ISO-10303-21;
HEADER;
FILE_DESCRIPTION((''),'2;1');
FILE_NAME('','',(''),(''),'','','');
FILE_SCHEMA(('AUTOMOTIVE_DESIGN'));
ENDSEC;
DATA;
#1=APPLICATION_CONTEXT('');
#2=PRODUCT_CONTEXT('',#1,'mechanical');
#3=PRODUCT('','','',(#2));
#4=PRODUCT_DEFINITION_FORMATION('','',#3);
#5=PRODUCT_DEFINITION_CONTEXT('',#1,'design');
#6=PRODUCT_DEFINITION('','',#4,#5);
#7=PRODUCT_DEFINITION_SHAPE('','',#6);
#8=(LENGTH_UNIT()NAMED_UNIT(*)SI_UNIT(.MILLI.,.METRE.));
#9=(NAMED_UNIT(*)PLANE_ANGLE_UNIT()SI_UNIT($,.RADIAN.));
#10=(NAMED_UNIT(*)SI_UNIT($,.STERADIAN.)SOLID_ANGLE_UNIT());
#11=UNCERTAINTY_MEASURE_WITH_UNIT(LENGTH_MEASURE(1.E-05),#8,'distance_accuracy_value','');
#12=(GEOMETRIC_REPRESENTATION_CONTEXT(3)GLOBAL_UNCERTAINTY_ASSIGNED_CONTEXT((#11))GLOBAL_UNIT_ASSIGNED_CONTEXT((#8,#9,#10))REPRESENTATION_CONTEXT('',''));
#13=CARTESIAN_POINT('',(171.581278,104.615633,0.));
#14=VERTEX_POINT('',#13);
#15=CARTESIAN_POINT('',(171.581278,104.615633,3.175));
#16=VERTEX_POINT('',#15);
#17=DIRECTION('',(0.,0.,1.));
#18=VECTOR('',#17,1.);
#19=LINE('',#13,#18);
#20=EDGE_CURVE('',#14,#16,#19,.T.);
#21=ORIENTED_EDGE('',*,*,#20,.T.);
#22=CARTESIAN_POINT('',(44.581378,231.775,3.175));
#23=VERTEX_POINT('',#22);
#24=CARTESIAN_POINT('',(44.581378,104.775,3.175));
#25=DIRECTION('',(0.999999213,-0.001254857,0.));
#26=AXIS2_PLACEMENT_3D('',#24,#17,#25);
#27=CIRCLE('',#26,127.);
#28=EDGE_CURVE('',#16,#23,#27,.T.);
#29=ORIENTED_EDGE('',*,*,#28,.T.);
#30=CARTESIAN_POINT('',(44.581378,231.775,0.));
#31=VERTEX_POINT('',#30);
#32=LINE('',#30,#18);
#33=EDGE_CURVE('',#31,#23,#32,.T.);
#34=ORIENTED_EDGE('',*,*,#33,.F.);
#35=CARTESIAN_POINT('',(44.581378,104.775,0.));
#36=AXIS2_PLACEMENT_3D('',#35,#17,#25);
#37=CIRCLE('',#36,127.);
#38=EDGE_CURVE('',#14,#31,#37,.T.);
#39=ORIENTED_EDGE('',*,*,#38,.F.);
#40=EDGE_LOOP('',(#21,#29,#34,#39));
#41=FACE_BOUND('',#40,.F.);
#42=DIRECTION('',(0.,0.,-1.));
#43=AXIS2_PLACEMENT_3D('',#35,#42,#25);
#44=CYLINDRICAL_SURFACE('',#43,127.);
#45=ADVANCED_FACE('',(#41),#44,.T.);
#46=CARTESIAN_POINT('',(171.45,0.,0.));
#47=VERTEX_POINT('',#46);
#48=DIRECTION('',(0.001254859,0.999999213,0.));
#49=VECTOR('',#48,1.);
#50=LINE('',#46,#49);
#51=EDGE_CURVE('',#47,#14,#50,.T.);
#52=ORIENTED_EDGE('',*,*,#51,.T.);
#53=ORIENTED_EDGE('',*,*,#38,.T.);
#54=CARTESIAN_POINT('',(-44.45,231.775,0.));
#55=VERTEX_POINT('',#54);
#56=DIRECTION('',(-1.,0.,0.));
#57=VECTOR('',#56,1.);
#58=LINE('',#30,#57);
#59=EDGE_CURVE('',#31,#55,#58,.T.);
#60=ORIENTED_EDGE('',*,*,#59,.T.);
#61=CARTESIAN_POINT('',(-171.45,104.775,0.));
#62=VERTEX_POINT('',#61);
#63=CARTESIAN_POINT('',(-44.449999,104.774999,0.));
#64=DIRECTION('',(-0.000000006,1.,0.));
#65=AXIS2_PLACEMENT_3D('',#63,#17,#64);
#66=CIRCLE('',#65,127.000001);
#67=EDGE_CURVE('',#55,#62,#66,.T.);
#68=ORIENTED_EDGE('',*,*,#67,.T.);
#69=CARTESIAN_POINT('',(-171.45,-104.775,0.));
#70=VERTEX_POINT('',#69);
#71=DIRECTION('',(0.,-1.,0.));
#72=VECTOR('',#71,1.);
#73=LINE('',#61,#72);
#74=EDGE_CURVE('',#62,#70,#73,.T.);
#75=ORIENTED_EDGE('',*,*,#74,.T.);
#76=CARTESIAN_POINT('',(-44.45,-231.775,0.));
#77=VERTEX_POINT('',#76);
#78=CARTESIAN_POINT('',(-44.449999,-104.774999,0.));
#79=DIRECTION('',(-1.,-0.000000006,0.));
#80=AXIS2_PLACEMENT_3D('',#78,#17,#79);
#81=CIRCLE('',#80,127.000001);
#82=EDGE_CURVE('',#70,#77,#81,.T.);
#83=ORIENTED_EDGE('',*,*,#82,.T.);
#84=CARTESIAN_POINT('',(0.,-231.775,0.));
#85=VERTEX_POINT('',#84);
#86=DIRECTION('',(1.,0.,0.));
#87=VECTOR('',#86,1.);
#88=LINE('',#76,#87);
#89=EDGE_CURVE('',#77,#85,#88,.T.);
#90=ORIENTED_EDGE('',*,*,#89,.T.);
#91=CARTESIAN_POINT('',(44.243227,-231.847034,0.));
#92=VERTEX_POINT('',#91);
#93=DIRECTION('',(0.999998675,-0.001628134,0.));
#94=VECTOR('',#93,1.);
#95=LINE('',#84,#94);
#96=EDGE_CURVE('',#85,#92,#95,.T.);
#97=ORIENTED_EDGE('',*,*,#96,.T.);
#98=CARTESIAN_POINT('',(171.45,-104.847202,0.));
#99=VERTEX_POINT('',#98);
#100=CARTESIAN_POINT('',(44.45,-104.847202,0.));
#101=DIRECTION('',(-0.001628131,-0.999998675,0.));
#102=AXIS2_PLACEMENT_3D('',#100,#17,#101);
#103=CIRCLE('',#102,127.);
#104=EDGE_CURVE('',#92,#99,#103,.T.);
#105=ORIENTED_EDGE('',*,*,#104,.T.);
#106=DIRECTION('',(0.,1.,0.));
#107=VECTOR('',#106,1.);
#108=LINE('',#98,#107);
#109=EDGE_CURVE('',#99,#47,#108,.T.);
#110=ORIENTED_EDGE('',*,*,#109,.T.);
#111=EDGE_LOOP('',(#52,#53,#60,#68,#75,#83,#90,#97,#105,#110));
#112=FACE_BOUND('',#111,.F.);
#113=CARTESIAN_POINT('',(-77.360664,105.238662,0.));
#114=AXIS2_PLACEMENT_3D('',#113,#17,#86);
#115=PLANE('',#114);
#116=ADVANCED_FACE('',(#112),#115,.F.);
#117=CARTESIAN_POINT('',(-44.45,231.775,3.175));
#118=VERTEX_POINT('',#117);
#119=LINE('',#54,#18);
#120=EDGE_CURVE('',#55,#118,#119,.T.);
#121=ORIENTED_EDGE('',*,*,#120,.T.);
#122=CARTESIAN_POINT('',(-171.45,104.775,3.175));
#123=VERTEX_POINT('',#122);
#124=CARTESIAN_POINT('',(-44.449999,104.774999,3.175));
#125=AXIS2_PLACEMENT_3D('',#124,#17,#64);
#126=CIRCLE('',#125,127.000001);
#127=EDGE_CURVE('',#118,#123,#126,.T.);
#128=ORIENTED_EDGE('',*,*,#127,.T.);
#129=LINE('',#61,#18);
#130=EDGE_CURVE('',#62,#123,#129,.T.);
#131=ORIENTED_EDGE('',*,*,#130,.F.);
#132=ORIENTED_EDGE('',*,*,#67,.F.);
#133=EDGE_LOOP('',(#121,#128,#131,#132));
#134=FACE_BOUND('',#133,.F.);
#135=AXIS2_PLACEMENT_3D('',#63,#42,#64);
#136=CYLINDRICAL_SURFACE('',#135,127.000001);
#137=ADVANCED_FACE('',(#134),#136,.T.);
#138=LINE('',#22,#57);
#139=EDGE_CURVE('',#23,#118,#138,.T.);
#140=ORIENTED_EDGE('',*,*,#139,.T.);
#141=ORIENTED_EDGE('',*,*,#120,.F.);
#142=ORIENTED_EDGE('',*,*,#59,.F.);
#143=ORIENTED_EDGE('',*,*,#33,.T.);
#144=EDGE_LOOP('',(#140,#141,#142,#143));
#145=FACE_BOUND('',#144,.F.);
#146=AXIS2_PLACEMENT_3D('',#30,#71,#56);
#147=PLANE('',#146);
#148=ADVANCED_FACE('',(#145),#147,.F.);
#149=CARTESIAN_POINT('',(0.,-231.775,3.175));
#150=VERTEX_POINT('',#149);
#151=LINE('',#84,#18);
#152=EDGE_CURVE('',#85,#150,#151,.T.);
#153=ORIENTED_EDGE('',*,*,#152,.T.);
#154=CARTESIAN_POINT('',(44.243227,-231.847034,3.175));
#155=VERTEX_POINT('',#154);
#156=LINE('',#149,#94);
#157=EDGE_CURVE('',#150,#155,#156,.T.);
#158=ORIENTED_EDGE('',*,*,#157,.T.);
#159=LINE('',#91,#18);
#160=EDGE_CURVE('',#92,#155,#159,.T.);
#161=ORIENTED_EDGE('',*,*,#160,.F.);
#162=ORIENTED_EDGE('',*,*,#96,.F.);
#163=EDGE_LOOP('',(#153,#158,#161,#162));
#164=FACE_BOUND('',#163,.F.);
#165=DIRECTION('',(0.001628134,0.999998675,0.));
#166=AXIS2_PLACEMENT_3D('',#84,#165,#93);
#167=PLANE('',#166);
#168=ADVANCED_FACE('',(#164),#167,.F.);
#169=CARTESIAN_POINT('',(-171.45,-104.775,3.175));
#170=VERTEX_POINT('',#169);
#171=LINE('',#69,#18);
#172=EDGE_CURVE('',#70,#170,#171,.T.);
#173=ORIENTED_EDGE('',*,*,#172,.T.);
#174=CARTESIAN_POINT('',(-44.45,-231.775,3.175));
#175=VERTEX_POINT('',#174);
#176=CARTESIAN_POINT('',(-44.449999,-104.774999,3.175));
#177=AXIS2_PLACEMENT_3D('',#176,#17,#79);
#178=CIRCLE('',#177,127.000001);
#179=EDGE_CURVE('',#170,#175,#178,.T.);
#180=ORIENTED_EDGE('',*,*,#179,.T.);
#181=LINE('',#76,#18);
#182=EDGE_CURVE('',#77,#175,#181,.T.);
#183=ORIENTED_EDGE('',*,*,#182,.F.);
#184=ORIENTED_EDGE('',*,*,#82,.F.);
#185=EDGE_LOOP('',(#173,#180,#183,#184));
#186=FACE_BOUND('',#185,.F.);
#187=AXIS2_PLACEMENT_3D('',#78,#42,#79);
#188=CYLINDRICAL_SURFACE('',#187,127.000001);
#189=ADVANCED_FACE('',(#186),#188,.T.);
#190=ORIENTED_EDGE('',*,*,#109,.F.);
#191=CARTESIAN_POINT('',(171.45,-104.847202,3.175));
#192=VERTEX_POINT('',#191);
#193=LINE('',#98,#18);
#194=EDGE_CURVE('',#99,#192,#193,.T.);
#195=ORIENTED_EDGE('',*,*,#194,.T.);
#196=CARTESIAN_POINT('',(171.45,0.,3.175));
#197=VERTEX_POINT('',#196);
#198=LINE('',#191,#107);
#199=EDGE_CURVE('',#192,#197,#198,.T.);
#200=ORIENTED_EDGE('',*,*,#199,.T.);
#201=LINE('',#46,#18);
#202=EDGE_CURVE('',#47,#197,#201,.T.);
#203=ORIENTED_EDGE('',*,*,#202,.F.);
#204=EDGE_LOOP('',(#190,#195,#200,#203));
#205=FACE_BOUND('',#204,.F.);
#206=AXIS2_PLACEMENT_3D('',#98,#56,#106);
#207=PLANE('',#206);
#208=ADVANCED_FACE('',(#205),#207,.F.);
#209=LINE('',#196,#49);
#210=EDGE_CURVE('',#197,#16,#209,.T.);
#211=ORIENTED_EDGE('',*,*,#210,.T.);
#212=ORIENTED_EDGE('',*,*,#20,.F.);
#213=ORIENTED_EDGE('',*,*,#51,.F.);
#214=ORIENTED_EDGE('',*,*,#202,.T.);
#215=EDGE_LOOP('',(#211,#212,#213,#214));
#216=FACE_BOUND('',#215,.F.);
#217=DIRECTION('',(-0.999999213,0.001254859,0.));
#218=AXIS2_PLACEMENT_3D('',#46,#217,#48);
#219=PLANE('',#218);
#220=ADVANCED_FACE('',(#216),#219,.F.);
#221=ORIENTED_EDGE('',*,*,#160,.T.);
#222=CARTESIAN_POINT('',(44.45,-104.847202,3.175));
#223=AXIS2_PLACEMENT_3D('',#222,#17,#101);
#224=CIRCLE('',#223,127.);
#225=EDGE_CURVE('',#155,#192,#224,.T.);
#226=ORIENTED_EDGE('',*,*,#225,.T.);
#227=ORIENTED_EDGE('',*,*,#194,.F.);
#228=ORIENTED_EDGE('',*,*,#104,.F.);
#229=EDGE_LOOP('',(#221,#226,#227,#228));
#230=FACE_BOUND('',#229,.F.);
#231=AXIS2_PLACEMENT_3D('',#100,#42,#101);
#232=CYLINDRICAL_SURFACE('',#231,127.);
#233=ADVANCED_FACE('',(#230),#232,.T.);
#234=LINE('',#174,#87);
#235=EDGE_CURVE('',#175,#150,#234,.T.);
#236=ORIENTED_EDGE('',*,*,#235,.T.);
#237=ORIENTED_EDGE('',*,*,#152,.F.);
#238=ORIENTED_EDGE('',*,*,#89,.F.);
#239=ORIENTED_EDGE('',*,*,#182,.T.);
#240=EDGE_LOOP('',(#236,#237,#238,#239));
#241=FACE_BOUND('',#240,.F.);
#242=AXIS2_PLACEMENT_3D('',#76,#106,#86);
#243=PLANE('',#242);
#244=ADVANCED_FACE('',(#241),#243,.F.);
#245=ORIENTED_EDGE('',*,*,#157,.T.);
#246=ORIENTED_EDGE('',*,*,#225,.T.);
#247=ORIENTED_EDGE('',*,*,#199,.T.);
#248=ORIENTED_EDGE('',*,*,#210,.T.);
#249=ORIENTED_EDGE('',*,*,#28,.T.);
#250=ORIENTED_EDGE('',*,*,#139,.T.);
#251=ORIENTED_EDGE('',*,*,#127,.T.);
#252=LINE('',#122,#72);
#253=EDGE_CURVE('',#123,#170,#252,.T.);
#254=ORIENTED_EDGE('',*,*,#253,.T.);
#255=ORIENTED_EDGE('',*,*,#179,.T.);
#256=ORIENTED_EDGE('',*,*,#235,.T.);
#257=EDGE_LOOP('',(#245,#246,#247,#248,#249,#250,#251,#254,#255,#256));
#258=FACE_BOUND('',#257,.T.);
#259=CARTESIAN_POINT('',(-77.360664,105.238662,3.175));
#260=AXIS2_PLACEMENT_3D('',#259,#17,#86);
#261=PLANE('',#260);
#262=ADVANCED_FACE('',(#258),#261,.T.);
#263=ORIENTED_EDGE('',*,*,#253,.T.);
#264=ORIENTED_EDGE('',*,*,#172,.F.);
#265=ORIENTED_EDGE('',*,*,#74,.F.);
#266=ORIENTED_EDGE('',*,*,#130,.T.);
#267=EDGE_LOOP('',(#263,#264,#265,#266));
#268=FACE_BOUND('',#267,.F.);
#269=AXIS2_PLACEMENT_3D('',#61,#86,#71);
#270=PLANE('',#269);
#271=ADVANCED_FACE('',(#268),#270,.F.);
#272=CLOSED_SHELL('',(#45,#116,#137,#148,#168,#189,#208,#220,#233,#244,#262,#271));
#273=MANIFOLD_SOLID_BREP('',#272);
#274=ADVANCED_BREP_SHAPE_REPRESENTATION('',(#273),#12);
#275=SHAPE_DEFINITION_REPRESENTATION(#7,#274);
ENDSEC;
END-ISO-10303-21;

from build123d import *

# Parameters (mm, degrees)
F1_DEPTH = 3.175


with BuildPart() as f1:
    # F0 (on Top) → F1 (new body)
    with BuildSketch(Plane.XY):
        with BuildLine():
            Line((0, 0), (0, 231.775))
            Line((0, 231.775), (-44.45, 231.775))
            ThreePointArc((-44.45, 231.775), (-134.252561, 194.577561), (-171.45, 104.775))
            Line((-171.45, 104.775), (-171.45, 0))
            Line((-171.45, 0), (0, 0))
        make_face()
        with BuildLine():
            Line((44.581378, 231.775), (0, 231.775))
            Line((0, 231.775), (0, 0))
            Line((0, 0), (171.45, 0))
            Line((171.45, 0), (171.581278, 104.615633))
            ThreePointArc((171.581278, 104.615633), (134.440266, 194.521199), (44.581378, 231.775))
        make_face()
        with BuildLine():
            Line((171.45, 0), (0, 0))
            Line((0, 0), (0, -231.775))
            Line((0, -231.775), (44.243227, -231.847034))
            ThreePointArc((44.243227, -231.847034), (134.179426, -194.722839), (171.45, -104.847202))
            Line((171.45, -104.847202), (171.45, 0))
        make_face()
        with BuildLine():
            Line((0, -231.775), (0, 0))
            Line((0, 0), (-171.45, 0))
            Line((-171.45, 0), (-171.45, -104.775))
            ThreePointArc((-171.45, -104.775), (-134.252561, -194.577561), (-44.45, -231.775))
            Line((-44.45, -231.775), (0, -231.775))
        make_face()
    extrude(amount=F1_DEPTH)


solid = f1.part
